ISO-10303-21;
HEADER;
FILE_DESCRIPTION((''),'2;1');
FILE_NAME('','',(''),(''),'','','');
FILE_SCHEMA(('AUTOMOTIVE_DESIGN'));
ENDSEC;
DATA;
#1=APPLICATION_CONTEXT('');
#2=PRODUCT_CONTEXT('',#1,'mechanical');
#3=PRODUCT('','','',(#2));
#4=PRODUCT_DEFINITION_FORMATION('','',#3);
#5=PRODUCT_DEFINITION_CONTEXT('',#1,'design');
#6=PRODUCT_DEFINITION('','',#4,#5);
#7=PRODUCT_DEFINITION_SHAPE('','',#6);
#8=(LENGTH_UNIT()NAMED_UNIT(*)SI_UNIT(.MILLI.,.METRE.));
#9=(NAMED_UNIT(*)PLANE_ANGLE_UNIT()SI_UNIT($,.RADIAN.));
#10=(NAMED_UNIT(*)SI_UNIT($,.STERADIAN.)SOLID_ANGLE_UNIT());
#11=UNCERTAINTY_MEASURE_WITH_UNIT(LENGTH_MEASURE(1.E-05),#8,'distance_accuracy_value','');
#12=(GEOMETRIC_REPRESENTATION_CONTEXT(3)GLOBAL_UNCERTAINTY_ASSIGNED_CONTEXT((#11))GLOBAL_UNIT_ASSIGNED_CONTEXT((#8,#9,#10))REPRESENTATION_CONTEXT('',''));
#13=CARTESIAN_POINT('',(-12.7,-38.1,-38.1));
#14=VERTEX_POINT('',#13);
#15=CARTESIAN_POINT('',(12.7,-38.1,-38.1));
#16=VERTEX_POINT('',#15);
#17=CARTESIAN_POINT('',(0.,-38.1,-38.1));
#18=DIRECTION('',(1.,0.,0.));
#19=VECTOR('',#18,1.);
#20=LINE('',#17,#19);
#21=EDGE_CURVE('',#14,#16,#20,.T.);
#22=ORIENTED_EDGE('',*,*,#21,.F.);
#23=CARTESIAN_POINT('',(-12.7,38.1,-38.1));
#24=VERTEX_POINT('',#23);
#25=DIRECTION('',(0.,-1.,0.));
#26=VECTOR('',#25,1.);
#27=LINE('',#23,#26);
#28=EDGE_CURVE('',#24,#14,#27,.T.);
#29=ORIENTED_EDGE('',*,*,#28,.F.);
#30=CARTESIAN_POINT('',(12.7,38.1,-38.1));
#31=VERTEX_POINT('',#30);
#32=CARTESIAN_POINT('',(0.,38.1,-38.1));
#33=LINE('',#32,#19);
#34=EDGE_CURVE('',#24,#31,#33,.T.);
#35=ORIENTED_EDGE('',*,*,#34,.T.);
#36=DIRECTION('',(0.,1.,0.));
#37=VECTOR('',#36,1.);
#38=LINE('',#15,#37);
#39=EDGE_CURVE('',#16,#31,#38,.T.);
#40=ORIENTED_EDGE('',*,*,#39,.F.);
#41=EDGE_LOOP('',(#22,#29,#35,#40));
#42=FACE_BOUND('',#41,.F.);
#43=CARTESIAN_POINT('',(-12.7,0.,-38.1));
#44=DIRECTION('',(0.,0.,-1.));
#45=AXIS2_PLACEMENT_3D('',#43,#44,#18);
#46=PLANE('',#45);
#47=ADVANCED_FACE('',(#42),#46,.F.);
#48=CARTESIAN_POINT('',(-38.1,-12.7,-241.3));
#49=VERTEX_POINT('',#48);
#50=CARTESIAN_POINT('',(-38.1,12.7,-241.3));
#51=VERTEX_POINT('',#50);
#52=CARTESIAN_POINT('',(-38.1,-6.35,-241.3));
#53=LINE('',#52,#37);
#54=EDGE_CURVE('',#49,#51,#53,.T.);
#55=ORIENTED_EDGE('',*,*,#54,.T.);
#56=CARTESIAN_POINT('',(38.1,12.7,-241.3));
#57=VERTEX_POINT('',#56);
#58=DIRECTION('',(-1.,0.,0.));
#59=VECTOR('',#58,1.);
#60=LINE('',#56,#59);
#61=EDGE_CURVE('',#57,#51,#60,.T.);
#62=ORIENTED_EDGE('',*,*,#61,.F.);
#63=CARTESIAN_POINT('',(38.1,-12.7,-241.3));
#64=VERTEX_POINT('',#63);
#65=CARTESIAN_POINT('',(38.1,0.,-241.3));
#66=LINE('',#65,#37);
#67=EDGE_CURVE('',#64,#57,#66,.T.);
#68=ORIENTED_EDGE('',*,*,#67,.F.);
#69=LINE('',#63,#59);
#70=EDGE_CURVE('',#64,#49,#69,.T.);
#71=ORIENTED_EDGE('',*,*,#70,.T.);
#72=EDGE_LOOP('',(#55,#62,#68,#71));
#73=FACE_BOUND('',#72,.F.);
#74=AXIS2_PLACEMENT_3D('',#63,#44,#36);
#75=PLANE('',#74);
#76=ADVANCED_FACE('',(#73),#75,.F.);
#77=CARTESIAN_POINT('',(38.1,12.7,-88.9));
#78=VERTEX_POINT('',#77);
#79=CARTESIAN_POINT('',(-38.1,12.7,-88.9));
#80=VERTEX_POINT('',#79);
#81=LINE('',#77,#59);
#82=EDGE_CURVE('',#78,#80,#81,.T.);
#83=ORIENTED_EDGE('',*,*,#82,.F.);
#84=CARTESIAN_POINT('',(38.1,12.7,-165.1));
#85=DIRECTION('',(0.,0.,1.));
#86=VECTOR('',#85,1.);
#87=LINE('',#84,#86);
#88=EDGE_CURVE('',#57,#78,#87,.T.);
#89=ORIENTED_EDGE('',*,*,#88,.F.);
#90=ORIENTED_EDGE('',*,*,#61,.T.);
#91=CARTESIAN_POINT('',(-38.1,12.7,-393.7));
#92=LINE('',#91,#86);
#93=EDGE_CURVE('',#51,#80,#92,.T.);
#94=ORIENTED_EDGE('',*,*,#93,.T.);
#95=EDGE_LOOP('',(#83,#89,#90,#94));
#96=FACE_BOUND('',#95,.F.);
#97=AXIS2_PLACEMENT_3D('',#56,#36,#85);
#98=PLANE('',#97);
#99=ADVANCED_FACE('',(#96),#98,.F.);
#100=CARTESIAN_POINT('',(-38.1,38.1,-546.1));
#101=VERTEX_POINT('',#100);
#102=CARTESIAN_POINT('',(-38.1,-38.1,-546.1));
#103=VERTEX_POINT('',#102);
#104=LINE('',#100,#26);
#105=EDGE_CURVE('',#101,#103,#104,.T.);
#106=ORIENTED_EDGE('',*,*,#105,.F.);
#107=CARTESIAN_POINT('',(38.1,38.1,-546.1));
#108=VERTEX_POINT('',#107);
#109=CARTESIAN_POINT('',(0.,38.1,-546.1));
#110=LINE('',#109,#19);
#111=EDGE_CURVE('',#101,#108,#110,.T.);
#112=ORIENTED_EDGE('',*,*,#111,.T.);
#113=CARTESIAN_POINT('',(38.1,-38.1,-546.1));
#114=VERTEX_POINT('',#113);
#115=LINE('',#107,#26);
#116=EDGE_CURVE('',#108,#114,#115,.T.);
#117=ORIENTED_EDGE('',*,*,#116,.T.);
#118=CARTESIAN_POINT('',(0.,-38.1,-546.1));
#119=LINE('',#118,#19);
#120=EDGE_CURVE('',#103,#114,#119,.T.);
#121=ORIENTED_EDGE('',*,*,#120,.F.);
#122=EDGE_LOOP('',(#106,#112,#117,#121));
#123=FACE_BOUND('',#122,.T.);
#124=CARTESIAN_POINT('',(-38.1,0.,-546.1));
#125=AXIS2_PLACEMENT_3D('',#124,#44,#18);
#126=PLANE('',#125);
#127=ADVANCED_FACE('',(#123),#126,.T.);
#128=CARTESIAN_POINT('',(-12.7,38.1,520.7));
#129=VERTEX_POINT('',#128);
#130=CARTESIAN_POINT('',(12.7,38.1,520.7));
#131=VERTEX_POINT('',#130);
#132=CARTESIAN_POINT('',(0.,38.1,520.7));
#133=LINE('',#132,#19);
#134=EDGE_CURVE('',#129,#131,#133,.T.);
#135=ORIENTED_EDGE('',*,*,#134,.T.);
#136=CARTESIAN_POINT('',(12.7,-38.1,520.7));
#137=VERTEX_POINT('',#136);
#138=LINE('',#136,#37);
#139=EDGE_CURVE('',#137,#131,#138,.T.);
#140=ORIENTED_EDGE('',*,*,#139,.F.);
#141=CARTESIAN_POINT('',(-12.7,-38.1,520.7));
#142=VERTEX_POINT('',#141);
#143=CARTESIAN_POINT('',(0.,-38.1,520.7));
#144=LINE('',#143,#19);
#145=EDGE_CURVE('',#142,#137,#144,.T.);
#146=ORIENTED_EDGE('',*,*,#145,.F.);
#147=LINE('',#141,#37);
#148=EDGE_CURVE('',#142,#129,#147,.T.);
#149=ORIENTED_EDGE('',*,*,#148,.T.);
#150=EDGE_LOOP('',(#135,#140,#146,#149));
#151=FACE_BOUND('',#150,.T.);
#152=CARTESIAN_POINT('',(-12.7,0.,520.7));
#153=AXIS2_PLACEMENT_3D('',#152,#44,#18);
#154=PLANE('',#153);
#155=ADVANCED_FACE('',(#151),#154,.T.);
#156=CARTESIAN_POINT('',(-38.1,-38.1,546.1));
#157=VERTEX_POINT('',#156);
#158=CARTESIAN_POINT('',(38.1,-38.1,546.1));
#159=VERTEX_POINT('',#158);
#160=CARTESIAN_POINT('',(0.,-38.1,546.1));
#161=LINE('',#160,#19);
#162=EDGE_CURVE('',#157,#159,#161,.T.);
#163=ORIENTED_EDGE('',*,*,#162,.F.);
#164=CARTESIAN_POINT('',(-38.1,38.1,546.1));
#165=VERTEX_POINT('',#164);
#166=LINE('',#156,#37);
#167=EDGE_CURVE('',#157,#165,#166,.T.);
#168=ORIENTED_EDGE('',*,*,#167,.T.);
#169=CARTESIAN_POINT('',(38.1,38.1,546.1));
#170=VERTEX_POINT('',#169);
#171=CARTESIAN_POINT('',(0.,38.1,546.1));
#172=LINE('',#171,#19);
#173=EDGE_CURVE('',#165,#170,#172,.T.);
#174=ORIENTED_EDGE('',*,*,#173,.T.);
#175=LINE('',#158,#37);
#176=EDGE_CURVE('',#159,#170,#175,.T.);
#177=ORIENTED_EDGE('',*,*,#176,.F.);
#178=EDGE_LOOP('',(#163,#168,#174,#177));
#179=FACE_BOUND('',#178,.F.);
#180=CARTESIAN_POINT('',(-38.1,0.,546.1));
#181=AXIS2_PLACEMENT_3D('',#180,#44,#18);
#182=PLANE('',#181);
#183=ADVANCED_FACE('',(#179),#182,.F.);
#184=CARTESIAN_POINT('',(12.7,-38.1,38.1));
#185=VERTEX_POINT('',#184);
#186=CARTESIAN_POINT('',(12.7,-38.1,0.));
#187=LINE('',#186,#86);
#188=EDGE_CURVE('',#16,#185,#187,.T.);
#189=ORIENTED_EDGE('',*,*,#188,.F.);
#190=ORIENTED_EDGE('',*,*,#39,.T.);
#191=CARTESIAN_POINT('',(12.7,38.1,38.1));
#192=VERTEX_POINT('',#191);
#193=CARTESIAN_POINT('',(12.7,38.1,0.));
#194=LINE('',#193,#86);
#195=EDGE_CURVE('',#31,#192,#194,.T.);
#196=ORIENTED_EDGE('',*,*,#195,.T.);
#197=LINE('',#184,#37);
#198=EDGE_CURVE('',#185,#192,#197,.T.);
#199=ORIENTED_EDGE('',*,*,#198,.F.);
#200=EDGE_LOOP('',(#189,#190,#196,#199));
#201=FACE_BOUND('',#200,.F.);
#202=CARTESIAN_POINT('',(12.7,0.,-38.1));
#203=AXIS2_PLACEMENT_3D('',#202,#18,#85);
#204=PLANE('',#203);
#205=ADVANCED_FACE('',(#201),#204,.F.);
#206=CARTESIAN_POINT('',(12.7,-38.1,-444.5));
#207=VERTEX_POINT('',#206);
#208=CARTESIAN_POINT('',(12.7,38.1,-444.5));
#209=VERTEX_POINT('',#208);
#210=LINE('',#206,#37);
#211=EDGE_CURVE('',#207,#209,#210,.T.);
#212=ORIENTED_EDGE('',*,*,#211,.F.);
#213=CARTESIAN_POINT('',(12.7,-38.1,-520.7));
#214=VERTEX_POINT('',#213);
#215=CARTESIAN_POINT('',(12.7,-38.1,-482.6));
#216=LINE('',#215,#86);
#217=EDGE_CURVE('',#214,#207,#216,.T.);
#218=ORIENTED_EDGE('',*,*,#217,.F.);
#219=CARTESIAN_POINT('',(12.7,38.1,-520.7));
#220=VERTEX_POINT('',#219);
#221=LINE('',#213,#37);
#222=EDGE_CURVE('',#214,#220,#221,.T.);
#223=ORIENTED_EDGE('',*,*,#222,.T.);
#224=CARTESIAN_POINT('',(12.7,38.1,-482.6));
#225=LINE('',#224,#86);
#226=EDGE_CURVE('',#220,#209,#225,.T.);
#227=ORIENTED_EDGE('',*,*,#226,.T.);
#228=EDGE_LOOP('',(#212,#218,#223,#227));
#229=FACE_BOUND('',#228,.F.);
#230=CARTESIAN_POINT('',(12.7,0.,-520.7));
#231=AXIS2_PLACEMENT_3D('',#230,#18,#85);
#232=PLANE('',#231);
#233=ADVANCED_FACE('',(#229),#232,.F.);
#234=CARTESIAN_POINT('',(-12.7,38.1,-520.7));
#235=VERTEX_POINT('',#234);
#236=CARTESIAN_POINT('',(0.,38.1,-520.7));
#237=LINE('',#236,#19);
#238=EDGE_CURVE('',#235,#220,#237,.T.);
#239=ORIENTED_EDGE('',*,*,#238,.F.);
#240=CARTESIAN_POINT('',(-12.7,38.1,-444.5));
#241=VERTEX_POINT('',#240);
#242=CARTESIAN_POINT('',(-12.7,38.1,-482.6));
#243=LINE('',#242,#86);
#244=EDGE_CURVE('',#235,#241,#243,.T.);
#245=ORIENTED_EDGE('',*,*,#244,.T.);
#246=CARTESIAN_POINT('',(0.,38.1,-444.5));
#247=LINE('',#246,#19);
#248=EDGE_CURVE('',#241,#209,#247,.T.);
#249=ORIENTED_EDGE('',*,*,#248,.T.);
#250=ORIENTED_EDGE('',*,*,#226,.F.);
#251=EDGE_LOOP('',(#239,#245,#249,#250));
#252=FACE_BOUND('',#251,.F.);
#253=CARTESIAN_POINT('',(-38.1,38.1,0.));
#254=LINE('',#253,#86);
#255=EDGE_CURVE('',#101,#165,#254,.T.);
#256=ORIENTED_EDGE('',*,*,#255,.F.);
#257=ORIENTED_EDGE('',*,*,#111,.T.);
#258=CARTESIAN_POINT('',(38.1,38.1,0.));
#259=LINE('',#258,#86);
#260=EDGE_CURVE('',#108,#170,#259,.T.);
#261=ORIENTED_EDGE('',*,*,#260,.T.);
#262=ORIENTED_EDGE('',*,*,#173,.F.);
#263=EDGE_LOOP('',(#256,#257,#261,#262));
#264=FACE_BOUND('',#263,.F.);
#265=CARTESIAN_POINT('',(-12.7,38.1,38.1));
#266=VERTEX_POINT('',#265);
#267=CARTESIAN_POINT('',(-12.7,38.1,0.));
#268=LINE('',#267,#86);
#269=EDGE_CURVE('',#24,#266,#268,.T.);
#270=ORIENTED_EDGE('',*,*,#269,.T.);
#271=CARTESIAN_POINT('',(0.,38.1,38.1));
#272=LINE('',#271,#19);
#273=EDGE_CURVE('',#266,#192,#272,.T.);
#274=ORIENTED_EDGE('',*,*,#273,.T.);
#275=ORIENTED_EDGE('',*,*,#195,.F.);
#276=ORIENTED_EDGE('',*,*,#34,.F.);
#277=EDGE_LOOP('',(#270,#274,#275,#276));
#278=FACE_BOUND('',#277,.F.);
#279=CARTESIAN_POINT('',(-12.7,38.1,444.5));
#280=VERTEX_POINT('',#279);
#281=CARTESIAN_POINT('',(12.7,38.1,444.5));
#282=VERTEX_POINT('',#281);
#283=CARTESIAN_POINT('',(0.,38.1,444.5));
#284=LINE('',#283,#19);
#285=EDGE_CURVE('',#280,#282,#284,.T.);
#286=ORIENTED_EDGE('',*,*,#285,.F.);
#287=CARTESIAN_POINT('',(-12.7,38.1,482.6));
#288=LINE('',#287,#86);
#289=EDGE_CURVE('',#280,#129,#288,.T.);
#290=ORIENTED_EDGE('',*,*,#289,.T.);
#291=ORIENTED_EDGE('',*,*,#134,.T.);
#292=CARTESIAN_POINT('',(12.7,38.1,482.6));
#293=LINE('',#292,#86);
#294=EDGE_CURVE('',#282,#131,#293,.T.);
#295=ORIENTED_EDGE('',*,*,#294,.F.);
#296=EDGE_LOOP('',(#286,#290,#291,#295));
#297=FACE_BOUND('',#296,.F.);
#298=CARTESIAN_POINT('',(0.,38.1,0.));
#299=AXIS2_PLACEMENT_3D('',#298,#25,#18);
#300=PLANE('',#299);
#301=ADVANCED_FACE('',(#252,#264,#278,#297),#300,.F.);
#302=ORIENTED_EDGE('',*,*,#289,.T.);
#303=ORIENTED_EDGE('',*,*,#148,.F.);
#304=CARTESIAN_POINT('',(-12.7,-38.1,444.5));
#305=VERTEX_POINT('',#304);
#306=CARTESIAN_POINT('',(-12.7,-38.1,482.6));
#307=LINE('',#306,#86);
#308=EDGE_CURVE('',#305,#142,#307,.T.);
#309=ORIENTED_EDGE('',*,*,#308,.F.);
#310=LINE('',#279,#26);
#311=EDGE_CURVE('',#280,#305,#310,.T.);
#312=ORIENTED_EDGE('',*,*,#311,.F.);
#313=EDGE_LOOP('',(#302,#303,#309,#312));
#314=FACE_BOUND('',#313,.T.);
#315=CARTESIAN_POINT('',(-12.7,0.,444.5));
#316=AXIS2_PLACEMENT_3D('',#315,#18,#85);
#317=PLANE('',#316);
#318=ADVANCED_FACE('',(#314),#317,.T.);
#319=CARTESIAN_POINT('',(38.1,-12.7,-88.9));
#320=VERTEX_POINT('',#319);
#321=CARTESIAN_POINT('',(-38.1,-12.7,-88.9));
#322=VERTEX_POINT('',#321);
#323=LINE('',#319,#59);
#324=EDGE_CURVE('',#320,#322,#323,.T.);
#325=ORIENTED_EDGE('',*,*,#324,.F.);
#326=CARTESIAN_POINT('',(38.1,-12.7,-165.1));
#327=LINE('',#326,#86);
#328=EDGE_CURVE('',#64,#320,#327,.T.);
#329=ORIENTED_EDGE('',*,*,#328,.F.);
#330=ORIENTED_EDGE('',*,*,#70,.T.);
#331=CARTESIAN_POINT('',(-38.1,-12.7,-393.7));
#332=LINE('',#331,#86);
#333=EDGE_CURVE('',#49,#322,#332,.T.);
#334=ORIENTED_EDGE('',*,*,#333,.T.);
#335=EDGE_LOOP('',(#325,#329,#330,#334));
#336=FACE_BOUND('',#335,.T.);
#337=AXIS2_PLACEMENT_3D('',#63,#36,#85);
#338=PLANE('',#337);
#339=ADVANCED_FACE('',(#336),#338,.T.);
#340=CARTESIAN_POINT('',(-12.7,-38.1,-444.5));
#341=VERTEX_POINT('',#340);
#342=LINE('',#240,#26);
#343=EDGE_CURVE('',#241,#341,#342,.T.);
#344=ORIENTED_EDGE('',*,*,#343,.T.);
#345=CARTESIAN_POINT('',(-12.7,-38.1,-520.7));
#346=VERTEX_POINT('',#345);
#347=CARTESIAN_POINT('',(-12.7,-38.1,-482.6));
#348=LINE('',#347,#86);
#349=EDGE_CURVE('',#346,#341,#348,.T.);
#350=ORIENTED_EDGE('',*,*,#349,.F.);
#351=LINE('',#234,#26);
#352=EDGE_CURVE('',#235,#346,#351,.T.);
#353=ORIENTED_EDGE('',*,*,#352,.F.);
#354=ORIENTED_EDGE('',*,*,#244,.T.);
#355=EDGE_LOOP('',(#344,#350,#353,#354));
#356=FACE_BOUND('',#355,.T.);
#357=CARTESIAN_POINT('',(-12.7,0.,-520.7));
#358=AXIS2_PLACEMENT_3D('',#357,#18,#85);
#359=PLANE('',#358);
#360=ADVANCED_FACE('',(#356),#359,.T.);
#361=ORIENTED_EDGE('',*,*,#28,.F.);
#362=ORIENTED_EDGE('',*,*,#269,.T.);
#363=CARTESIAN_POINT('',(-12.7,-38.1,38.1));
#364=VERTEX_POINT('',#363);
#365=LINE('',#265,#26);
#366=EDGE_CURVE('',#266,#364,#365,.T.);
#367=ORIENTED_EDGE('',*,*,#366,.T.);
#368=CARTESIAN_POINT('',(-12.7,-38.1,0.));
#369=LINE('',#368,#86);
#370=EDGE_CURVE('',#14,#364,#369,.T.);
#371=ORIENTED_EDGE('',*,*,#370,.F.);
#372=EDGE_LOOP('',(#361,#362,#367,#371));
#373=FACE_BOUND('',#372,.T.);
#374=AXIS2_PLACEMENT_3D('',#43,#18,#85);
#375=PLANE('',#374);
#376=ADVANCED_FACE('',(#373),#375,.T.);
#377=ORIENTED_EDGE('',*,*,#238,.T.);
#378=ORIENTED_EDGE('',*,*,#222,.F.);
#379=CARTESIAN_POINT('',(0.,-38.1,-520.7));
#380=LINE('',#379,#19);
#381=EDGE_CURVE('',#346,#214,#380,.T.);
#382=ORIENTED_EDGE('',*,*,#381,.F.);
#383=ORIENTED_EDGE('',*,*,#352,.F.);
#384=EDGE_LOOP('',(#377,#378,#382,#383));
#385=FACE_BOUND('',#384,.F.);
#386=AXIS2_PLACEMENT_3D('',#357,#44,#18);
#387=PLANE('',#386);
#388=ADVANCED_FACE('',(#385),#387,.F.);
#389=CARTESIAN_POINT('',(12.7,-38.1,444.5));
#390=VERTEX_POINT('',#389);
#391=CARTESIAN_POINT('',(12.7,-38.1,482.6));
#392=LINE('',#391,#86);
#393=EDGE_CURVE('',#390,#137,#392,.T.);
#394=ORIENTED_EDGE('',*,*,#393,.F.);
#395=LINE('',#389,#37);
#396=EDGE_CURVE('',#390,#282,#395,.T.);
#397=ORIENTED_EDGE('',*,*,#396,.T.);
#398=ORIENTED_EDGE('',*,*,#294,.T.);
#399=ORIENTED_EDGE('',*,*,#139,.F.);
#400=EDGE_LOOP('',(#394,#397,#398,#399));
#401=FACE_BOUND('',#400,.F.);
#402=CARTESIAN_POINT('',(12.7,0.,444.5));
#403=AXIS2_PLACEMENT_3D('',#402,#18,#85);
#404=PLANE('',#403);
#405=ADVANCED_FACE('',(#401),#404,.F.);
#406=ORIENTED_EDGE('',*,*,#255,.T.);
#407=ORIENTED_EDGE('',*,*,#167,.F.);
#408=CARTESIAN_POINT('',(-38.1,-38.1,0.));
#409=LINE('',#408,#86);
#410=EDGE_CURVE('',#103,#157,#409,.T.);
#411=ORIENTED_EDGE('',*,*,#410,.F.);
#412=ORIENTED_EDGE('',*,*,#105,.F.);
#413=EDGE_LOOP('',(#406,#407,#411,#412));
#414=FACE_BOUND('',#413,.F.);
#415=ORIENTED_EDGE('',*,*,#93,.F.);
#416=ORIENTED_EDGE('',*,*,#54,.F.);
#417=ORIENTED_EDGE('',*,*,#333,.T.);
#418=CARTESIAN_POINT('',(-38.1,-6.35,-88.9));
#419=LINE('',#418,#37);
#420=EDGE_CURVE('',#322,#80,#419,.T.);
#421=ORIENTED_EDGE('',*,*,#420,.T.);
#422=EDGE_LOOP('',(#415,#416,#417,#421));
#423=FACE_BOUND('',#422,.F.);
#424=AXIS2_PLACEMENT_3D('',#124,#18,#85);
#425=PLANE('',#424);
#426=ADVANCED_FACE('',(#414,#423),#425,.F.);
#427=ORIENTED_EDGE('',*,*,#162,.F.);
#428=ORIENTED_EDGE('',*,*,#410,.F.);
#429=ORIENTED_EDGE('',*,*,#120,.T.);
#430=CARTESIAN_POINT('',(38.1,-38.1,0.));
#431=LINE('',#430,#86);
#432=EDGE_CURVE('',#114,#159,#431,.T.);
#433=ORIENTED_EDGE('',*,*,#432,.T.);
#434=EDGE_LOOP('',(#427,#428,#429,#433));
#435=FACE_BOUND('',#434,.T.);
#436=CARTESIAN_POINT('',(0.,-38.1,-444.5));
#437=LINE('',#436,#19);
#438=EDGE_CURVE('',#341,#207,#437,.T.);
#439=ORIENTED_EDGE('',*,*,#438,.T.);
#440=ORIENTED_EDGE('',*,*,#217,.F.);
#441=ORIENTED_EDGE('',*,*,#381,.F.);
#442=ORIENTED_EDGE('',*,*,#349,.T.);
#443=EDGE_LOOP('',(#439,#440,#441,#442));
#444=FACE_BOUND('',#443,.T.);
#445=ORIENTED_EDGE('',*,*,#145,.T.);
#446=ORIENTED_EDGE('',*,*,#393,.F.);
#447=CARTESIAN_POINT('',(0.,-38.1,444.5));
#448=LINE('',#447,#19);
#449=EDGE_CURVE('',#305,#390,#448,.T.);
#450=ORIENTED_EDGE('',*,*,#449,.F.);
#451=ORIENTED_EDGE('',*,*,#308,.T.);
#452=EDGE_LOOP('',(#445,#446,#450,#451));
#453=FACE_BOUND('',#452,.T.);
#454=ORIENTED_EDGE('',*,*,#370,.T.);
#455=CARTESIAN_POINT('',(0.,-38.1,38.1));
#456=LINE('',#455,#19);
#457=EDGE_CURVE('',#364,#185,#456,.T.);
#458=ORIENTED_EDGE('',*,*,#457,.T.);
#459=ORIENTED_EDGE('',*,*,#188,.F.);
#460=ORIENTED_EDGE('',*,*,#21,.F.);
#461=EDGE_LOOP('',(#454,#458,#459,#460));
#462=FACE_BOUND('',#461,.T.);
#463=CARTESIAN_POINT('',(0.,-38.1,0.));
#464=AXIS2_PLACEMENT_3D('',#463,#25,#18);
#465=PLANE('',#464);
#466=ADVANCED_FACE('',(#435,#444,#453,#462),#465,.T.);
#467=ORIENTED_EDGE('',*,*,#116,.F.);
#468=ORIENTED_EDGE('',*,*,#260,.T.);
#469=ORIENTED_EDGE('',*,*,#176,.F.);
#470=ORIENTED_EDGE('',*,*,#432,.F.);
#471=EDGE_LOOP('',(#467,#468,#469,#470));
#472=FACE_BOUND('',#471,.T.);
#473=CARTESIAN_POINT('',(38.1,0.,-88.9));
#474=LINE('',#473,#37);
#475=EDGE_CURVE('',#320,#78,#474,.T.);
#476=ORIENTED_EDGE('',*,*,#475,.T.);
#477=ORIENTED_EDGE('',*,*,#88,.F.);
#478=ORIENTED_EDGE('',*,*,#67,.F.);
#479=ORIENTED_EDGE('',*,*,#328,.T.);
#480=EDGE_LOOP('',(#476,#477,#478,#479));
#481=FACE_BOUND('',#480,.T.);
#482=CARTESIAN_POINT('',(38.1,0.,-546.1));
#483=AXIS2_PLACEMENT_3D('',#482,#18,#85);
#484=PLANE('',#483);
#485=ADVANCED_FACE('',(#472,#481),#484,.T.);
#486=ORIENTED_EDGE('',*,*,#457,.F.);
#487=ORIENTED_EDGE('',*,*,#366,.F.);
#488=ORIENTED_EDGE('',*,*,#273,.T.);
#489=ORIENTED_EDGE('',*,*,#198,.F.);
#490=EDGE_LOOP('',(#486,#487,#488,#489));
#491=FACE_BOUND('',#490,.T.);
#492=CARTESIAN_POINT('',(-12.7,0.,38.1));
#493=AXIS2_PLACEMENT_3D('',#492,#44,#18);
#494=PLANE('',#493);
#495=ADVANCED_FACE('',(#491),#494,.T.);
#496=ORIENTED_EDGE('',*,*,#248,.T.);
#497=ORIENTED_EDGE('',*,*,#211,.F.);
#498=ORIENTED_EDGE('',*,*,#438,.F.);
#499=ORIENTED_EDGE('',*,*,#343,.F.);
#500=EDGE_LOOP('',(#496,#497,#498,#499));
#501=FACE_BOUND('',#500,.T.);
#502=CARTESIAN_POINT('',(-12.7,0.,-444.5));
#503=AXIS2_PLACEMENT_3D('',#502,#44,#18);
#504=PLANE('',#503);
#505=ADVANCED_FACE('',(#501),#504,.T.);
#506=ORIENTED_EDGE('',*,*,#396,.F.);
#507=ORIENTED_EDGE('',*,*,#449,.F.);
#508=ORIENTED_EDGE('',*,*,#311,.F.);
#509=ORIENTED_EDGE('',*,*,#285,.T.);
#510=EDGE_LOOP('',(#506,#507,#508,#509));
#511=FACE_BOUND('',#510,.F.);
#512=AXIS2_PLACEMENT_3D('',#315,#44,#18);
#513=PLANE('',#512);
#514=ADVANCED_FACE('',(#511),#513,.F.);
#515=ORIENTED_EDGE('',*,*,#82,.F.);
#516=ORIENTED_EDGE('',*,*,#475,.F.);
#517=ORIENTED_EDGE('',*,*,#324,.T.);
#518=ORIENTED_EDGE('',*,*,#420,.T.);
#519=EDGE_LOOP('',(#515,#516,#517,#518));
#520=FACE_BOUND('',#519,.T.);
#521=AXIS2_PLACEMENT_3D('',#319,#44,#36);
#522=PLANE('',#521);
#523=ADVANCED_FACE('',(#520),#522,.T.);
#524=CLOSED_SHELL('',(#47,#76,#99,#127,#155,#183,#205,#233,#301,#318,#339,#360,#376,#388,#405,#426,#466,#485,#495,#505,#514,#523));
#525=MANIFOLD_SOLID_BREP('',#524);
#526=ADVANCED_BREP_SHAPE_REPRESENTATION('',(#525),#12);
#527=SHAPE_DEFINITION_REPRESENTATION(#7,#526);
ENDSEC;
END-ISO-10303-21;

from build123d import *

# Parameters (mm, degrees)
F0_W          = 76.2
F0_H          = 1092.2
F0_W_2        = 25.4
F0_H_2        = 76.2
F1_DEPTH      = 38.1
F1_DEPTH_BACK = 38.1
F2_W          = 25.4
F2_H          = 152.4
F3_DEPTH      = 101.6


with BuildPart() as f1:
    # F0 (on Front) → F1 (new body, two sides)
    with BuildSketch(Plane.XZ) as f1_sk:
        Rectangle(F0_W, F0_H)
        with Locations((0, -482.6)):
            Rectangle(F0_W_2, F0_H_2, mode=Mode.SUBTRACT)
        Rectangle(F0_W_2, F0_H_2, mode=Mode.SUBTRACT)
        with Locations((0, 482.6)):
            Rectangle(F0_W_2, F0_H_2, mode=Mode.SUBTRACT)
    extrude(amount=F1_DEPTH)
    extrude(f1_sk.sketch, amount=-F1_DEPTH_BACK)

    # F2 (on face) → F3 (cut)
    with BuildSketch(Plane.YZ.offset(38.1)):
        with Locations((0, -165.1)):
            Rectangle(F2_W, F2_H)
    extrude(amount=-F3_DEPTH, mode=Mode.SUBTRACT)


solid = f1.part
